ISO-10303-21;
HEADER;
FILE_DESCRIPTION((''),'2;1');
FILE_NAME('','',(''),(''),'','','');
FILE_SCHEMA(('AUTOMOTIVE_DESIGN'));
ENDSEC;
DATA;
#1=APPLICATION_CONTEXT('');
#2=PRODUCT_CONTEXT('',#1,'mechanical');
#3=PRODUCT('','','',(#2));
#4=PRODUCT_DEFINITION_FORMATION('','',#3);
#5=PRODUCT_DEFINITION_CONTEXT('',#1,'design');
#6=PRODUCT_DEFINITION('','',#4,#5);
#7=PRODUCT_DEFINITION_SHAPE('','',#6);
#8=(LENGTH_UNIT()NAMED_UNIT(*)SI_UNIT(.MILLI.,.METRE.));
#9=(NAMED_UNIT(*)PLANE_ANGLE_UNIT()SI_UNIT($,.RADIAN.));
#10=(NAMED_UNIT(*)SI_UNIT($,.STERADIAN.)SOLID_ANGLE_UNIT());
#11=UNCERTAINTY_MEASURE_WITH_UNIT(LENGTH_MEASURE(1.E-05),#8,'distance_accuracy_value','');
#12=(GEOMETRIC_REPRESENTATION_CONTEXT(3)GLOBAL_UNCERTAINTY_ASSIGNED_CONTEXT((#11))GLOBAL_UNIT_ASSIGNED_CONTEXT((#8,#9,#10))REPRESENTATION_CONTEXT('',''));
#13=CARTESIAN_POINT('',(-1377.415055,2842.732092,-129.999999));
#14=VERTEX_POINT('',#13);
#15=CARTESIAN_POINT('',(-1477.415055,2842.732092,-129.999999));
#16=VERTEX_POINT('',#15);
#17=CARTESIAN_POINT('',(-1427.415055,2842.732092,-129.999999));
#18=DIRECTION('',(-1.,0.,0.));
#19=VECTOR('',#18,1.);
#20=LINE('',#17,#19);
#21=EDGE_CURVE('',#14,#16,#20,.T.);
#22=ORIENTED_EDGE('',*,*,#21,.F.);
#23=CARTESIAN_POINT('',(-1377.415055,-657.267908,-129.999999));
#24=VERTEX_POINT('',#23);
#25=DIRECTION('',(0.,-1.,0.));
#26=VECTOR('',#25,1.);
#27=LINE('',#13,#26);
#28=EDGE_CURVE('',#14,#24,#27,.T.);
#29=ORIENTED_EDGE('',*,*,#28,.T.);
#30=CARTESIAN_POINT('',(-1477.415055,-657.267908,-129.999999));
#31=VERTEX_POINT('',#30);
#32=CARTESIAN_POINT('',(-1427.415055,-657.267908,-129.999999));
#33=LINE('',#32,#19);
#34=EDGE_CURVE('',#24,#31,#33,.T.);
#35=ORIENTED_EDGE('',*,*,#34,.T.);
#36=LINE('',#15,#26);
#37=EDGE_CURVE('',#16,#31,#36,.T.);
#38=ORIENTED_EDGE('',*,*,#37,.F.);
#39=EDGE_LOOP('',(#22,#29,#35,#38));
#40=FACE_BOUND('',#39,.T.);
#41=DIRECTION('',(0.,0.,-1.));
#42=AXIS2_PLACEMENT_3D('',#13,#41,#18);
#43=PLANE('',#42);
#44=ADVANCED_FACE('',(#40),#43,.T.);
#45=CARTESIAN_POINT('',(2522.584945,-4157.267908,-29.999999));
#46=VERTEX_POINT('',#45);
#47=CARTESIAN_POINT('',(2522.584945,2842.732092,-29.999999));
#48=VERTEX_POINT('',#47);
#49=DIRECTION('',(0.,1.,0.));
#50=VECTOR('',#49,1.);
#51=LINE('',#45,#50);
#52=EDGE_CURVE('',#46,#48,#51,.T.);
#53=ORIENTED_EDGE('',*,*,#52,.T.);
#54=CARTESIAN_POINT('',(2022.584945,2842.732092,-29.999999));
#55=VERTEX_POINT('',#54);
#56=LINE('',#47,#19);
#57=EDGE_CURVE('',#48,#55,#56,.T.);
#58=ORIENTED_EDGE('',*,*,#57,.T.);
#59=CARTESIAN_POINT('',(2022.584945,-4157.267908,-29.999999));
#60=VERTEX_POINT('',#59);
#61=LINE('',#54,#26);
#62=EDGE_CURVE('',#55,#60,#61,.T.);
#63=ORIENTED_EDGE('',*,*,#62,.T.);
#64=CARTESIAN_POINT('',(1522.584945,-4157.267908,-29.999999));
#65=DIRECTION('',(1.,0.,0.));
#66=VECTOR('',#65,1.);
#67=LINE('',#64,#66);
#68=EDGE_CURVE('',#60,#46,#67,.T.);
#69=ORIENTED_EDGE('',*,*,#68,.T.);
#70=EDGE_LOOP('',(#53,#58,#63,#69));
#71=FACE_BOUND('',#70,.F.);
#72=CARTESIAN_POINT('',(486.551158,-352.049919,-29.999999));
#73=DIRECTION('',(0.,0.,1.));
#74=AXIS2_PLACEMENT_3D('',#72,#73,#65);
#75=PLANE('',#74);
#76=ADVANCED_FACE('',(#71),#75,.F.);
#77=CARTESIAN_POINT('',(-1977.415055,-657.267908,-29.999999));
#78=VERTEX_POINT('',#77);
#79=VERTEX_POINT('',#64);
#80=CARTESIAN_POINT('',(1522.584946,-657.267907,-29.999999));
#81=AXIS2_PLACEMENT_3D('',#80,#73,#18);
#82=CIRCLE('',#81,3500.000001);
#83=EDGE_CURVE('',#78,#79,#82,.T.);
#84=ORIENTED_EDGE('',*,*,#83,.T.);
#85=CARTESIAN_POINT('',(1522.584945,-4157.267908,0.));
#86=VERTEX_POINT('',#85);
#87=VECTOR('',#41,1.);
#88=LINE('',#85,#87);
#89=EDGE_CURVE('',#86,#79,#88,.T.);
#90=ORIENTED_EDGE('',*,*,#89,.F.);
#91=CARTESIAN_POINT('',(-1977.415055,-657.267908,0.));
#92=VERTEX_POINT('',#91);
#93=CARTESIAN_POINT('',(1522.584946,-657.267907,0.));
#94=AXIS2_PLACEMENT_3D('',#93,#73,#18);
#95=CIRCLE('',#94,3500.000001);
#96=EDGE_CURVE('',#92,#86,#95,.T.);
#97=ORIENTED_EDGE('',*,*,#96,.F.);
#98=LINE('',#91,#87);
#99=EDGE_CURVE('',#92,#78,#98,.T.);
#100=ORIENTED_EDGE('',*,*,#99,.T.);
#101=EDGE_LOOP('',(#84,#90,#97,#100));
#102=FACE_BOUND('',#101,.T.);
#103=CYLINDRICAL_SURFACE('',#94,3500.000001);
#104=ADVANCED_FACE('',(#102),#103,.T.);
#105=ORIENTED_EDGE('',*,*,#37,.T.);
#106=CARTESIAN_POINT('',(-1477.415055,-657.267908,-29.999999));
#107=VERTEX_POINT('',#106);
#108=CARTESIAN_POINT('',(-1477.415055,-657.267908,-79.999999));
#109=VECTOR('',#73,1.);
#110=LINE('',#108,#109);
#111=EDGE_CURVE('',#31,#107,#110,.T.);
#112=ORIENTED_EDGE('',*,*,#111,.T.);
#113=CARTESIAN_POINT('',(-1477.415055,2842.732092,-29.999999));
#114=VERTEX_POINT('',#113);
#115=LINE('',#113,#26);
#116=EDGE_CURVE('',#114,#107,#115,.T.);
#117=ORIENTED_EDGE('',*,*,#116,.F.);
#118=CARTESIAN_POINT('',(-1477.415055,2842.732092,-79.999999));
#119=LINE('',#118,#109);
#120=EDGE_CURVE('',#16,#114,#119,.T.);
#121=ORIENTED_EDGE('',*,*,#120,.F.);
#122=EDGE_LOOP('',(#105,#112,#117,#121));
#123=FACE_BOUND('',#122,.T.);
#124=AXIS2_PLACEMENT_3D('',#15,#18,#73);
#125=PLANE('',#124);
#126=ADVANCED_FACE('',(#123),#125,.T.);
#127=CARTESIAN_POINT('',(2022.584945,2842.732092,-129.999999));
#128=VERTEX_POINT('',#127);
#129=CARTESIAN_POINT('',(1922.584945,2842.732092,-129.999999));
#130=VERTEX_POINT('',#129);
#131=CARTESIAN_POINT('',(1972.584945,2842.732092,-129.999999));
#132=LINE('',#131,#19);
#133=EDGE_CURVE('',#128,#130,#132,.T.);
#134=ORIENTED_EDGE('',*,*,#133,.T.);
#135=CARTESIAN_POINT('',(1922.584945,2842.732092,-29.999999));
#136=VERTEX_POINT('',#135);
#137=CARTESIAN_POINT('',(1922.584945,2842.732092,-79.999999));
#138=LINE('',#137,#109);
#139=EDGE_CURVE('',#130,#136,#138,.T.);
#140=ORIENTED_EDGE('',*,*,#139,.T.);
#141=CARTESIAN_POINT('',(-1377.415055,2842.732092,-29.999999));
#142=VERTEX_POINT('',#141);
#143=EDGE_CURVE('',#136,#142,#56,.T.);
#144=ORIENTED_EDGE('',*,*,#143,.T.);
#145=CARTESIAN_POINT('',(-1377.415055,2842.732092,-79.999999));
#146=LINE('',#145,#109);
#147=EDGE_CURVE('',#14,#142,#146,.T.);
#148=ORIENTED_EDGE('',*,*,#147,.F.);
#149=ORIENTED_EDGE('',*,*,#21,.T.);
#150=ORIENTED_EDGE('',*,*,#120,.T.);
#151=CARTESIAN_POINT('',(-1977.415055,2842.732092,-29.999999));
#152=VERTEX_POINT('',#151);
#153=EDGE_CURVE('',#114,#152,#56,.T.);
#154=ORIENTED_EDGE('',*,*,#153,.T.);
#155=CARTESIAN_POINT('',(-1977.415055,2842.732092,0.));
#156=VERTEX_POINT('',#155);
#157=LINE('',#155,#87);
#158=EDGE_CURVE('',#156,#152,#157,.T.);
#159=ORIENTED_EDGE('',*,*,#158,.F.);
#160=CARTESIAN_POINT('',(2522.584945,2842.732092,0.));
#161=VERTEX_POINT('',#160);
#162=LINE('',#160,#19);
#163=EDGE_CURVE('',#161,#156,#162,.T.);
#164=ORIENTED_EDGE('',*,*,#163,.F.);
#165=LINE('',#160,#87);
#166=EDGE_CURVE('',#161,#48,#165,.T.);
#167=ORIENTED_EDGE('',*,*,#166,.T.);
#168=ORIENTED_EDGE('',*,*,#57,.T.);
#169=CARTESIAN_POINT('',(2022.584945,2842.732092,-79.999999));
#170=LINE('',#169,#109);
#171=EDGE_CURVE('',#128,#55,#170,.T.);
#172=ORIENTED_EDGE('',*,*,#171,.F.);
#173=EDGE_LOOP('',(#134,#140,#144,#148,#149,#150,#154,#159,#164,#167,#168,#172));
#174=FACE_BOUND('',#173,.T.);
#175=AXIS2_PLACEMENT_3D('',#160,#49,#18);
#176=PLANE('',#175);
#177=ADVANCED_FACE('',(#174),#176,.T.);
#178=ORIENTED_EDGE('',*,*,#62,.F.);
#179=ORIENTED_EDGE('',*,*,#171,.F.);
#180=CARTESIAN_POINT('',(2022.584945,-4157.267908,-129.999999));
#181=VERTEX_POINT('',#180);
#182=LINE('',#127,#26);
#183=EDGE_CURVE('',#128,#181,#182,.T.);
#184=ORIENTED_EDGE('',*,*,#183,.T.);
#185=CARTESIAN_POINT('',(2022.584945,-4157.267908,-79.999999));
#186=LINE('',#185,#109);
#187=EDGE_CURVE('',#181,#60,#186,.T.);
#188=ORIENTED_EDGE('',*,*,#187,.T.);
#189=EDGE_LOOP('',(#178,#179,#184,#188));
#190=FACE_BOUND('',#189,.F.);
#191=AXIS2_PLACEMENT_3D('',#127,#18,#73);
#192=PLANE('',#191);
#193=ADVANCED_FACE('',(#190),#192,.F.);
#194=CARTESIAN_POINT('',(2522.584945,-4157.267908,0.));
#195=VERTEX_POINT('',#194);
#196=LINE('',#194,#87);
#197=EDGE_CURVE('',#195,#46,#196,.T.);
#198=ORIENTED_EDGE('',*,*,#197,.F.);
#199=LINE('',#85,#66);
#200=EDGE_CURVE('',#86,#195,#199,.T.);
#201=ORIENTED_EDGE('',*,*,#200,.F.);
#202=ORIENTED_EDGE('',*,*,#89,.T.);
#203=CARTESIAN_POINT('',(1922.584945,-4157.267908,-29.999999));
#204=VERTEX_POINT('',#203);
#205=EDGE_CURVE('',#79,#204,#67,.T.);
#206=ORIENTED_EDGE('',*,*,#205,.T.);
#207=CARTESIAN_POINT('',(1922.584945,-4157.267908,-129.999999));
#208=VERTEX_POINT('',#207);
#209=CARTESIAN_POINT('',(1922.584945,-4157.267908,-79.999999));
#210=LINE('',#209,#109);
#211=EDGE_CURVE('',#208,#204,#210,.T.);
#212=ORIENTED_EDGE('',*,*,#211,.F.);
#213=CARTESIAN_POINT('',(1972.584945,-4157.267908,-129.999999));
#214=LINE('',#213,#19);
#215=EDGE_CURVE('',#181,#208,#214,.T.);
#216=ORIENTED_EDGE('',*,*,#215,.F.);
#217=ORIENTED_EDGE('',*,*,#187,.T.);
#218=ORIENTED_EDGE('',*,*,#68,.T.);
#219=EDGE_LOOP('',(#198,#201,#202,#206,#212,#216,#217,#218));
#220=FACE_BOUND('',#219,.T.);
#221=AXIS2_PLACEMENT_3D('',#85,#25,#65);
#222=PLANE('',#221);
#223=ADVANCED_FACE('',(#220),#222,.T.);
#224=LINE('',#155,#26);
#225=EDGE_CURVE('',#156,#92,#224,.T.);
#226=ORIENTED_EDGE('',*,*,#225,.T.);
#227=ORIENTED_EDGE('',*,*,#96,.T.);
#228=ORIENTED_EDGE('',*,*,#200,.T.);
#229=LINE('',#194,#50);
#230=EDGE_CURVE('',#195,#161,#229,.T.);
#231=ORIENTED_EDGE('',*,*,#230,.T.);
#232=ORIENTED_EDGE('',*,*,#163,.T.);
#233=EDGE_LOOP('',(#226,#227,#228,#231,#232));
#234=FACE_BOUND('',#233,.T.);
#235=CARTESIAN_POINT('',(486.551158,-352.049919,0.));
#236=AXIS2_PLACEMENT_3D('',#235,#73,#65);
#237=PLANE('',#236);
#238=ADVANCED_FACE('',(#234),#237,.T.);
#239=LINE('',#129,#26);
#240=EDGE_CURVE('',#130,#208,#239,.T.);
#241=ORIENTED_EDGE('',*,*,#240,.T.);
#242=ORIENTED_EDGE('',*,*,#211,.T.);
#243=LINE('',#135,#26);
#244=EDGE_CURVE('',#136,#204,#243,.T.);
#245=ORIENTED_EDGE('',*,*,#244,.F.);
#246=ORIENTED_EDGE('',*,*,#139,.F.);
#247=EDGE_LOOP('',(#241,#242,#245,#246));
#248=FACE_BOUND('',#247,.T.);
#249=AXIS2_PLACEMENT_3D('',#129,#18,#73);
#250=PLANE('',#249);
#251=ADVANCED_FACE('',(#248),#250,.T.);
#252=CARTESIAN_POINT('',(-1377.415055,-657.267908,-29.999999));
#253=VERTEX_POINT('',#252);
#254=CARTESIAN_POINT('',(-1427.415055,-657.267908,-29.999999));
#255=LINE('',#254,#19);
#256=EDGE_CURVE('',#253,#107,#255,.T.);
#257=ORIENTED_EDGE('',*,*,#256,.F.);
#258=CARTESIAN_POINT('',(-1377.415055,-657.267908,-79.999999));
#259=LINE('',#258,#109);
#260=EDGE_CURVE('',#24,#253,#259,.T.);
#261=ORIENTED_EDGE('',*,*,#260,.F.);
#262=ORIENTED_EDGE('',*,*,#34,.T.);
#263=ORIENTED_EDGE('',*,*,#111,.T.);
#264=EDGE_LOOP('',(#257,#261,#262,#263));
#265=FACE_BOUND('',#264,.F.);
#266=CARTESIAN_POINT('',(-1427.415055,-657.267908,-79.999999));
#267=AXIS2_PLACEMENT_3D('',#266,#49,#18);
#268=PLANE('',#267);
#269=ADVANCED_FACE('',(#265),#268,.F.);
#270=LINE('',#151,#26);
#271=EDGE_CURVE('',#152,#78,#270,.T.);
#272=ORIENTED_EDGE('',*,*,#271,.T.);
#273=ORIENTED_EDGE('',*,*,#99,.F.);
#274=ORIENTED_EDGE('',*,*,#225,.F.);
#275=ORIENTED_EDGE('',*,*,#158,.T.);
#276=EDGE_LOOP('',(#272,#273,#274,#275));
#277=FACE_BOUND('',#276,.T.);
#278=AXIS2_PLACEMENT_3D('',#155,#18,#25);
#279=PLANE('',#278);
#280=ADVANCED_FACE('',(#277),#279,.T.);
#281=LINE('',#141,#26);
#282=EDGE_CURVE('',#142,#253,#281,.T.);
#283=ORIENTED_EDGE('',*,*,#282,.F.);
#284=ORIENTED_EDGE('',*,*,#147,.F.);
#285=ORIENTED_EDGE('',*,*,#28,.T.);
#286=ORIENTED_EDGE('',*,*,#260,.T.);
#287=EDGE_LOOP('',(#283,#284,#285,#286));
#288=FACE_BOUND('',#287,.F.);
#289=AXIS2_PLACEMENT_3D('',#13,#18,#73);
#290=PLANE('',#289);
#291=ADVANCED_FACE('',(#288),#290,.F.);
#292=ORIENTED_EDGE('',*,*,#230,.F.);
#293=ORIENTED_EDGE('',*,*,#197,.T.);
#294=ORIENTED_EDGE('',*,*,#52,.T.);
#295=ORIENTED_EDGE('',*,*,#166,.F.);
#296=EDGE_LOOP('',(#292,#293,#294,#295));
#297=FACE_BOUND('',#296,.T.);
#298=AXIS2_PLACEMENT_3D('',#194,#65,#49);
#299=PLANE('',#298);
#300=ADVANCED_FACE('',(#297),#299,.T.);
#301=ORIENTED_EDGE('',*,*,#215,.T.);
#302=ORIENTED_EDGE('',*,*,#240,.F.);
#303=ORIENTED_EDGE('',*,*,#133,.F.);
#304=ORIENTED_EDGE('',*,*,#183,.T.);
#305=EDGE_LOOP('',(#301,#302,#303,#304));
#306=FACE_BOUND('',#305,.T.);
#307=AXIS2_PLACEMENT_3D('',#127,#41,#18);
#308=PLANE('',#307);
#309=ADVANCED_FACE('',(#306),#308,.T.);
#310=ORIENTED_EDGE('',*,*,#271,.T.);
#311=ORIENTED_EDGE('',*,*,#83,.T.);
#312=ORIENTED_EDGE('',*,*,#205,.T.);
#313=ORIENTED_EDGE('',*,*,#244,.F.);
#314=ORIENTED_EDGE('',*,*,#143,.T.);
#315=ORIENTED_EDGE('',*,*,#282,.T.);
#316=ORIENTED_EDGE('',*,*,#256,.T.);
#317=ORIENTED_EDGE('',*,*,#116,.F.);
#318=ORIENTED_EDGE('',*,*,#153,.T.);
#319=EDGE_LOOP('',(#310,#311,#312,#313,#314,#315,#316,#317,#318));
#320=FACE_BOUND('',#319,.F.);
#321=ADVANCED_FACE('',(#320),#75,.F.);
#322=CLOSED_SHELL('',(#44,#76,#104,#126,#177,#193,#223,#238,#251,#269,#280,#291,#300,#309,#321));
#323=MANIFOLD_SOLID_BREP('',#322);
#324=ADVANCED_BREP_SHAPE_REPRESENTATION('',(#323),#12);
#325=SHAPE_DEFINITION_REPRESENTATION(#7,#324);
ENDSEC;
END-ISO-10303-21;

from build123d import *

# Parameters (mm, degrees)
F1_DEPTH = 29.999999
F2_W     = 100
F2_H     = 100
F3_DEPTH = 7000
F4_W     = 100
F4_H     = 100
F5_DEPTH = 3500


with BuildPart() as f1:
    # F0 (on Top) → F1 (new body)
    with BuildSketch(Plane.XY):
        with BuildLine():
            ThreePointArc((-1977.415055, -657.267908), (-952.288789, -3132.141642), (1522.584945, -4157.267908))
            Line((1522.584945, -4157.267908), (2522.584945, -4157.267908))
            Line((2522.584945, -4157.267908), (2522.584945, 2842.732092))
            Line((2522.584945, 2842.732092), (-1977.415055, 2842.732092))
            Line((-1977.415055, 2842.732092), (-1977.415055, -657.267908))
        make_face()
    extrude(amount=-F1_DEPTH)

    # F2 (on face) → F3 (join, through all)
    with BuildSketch(Plane(origin=(0, 2842.732092, 0), x_dir=(-1, 0, 0), z_dir=(0, 1, 0))):
        with Locations((-1972.584945, -79.999999)):
            Rectangle(F2_W, F2_H)
    extrude(amount=-F3_DEPTH)

    # F4 (on face) → F5 (join)
    with BuildSketch(Plane(origin=(0, 2842.732092, 0), x_dir=(-1, 0, 0), z_dir=(0, 1, 0))):
        with Locations((1427.415055, -79.999999)):
            Rectangle(F4_W, F4_H)
    extrude(amount=-F5_DEPTH)


solid = f1.part
